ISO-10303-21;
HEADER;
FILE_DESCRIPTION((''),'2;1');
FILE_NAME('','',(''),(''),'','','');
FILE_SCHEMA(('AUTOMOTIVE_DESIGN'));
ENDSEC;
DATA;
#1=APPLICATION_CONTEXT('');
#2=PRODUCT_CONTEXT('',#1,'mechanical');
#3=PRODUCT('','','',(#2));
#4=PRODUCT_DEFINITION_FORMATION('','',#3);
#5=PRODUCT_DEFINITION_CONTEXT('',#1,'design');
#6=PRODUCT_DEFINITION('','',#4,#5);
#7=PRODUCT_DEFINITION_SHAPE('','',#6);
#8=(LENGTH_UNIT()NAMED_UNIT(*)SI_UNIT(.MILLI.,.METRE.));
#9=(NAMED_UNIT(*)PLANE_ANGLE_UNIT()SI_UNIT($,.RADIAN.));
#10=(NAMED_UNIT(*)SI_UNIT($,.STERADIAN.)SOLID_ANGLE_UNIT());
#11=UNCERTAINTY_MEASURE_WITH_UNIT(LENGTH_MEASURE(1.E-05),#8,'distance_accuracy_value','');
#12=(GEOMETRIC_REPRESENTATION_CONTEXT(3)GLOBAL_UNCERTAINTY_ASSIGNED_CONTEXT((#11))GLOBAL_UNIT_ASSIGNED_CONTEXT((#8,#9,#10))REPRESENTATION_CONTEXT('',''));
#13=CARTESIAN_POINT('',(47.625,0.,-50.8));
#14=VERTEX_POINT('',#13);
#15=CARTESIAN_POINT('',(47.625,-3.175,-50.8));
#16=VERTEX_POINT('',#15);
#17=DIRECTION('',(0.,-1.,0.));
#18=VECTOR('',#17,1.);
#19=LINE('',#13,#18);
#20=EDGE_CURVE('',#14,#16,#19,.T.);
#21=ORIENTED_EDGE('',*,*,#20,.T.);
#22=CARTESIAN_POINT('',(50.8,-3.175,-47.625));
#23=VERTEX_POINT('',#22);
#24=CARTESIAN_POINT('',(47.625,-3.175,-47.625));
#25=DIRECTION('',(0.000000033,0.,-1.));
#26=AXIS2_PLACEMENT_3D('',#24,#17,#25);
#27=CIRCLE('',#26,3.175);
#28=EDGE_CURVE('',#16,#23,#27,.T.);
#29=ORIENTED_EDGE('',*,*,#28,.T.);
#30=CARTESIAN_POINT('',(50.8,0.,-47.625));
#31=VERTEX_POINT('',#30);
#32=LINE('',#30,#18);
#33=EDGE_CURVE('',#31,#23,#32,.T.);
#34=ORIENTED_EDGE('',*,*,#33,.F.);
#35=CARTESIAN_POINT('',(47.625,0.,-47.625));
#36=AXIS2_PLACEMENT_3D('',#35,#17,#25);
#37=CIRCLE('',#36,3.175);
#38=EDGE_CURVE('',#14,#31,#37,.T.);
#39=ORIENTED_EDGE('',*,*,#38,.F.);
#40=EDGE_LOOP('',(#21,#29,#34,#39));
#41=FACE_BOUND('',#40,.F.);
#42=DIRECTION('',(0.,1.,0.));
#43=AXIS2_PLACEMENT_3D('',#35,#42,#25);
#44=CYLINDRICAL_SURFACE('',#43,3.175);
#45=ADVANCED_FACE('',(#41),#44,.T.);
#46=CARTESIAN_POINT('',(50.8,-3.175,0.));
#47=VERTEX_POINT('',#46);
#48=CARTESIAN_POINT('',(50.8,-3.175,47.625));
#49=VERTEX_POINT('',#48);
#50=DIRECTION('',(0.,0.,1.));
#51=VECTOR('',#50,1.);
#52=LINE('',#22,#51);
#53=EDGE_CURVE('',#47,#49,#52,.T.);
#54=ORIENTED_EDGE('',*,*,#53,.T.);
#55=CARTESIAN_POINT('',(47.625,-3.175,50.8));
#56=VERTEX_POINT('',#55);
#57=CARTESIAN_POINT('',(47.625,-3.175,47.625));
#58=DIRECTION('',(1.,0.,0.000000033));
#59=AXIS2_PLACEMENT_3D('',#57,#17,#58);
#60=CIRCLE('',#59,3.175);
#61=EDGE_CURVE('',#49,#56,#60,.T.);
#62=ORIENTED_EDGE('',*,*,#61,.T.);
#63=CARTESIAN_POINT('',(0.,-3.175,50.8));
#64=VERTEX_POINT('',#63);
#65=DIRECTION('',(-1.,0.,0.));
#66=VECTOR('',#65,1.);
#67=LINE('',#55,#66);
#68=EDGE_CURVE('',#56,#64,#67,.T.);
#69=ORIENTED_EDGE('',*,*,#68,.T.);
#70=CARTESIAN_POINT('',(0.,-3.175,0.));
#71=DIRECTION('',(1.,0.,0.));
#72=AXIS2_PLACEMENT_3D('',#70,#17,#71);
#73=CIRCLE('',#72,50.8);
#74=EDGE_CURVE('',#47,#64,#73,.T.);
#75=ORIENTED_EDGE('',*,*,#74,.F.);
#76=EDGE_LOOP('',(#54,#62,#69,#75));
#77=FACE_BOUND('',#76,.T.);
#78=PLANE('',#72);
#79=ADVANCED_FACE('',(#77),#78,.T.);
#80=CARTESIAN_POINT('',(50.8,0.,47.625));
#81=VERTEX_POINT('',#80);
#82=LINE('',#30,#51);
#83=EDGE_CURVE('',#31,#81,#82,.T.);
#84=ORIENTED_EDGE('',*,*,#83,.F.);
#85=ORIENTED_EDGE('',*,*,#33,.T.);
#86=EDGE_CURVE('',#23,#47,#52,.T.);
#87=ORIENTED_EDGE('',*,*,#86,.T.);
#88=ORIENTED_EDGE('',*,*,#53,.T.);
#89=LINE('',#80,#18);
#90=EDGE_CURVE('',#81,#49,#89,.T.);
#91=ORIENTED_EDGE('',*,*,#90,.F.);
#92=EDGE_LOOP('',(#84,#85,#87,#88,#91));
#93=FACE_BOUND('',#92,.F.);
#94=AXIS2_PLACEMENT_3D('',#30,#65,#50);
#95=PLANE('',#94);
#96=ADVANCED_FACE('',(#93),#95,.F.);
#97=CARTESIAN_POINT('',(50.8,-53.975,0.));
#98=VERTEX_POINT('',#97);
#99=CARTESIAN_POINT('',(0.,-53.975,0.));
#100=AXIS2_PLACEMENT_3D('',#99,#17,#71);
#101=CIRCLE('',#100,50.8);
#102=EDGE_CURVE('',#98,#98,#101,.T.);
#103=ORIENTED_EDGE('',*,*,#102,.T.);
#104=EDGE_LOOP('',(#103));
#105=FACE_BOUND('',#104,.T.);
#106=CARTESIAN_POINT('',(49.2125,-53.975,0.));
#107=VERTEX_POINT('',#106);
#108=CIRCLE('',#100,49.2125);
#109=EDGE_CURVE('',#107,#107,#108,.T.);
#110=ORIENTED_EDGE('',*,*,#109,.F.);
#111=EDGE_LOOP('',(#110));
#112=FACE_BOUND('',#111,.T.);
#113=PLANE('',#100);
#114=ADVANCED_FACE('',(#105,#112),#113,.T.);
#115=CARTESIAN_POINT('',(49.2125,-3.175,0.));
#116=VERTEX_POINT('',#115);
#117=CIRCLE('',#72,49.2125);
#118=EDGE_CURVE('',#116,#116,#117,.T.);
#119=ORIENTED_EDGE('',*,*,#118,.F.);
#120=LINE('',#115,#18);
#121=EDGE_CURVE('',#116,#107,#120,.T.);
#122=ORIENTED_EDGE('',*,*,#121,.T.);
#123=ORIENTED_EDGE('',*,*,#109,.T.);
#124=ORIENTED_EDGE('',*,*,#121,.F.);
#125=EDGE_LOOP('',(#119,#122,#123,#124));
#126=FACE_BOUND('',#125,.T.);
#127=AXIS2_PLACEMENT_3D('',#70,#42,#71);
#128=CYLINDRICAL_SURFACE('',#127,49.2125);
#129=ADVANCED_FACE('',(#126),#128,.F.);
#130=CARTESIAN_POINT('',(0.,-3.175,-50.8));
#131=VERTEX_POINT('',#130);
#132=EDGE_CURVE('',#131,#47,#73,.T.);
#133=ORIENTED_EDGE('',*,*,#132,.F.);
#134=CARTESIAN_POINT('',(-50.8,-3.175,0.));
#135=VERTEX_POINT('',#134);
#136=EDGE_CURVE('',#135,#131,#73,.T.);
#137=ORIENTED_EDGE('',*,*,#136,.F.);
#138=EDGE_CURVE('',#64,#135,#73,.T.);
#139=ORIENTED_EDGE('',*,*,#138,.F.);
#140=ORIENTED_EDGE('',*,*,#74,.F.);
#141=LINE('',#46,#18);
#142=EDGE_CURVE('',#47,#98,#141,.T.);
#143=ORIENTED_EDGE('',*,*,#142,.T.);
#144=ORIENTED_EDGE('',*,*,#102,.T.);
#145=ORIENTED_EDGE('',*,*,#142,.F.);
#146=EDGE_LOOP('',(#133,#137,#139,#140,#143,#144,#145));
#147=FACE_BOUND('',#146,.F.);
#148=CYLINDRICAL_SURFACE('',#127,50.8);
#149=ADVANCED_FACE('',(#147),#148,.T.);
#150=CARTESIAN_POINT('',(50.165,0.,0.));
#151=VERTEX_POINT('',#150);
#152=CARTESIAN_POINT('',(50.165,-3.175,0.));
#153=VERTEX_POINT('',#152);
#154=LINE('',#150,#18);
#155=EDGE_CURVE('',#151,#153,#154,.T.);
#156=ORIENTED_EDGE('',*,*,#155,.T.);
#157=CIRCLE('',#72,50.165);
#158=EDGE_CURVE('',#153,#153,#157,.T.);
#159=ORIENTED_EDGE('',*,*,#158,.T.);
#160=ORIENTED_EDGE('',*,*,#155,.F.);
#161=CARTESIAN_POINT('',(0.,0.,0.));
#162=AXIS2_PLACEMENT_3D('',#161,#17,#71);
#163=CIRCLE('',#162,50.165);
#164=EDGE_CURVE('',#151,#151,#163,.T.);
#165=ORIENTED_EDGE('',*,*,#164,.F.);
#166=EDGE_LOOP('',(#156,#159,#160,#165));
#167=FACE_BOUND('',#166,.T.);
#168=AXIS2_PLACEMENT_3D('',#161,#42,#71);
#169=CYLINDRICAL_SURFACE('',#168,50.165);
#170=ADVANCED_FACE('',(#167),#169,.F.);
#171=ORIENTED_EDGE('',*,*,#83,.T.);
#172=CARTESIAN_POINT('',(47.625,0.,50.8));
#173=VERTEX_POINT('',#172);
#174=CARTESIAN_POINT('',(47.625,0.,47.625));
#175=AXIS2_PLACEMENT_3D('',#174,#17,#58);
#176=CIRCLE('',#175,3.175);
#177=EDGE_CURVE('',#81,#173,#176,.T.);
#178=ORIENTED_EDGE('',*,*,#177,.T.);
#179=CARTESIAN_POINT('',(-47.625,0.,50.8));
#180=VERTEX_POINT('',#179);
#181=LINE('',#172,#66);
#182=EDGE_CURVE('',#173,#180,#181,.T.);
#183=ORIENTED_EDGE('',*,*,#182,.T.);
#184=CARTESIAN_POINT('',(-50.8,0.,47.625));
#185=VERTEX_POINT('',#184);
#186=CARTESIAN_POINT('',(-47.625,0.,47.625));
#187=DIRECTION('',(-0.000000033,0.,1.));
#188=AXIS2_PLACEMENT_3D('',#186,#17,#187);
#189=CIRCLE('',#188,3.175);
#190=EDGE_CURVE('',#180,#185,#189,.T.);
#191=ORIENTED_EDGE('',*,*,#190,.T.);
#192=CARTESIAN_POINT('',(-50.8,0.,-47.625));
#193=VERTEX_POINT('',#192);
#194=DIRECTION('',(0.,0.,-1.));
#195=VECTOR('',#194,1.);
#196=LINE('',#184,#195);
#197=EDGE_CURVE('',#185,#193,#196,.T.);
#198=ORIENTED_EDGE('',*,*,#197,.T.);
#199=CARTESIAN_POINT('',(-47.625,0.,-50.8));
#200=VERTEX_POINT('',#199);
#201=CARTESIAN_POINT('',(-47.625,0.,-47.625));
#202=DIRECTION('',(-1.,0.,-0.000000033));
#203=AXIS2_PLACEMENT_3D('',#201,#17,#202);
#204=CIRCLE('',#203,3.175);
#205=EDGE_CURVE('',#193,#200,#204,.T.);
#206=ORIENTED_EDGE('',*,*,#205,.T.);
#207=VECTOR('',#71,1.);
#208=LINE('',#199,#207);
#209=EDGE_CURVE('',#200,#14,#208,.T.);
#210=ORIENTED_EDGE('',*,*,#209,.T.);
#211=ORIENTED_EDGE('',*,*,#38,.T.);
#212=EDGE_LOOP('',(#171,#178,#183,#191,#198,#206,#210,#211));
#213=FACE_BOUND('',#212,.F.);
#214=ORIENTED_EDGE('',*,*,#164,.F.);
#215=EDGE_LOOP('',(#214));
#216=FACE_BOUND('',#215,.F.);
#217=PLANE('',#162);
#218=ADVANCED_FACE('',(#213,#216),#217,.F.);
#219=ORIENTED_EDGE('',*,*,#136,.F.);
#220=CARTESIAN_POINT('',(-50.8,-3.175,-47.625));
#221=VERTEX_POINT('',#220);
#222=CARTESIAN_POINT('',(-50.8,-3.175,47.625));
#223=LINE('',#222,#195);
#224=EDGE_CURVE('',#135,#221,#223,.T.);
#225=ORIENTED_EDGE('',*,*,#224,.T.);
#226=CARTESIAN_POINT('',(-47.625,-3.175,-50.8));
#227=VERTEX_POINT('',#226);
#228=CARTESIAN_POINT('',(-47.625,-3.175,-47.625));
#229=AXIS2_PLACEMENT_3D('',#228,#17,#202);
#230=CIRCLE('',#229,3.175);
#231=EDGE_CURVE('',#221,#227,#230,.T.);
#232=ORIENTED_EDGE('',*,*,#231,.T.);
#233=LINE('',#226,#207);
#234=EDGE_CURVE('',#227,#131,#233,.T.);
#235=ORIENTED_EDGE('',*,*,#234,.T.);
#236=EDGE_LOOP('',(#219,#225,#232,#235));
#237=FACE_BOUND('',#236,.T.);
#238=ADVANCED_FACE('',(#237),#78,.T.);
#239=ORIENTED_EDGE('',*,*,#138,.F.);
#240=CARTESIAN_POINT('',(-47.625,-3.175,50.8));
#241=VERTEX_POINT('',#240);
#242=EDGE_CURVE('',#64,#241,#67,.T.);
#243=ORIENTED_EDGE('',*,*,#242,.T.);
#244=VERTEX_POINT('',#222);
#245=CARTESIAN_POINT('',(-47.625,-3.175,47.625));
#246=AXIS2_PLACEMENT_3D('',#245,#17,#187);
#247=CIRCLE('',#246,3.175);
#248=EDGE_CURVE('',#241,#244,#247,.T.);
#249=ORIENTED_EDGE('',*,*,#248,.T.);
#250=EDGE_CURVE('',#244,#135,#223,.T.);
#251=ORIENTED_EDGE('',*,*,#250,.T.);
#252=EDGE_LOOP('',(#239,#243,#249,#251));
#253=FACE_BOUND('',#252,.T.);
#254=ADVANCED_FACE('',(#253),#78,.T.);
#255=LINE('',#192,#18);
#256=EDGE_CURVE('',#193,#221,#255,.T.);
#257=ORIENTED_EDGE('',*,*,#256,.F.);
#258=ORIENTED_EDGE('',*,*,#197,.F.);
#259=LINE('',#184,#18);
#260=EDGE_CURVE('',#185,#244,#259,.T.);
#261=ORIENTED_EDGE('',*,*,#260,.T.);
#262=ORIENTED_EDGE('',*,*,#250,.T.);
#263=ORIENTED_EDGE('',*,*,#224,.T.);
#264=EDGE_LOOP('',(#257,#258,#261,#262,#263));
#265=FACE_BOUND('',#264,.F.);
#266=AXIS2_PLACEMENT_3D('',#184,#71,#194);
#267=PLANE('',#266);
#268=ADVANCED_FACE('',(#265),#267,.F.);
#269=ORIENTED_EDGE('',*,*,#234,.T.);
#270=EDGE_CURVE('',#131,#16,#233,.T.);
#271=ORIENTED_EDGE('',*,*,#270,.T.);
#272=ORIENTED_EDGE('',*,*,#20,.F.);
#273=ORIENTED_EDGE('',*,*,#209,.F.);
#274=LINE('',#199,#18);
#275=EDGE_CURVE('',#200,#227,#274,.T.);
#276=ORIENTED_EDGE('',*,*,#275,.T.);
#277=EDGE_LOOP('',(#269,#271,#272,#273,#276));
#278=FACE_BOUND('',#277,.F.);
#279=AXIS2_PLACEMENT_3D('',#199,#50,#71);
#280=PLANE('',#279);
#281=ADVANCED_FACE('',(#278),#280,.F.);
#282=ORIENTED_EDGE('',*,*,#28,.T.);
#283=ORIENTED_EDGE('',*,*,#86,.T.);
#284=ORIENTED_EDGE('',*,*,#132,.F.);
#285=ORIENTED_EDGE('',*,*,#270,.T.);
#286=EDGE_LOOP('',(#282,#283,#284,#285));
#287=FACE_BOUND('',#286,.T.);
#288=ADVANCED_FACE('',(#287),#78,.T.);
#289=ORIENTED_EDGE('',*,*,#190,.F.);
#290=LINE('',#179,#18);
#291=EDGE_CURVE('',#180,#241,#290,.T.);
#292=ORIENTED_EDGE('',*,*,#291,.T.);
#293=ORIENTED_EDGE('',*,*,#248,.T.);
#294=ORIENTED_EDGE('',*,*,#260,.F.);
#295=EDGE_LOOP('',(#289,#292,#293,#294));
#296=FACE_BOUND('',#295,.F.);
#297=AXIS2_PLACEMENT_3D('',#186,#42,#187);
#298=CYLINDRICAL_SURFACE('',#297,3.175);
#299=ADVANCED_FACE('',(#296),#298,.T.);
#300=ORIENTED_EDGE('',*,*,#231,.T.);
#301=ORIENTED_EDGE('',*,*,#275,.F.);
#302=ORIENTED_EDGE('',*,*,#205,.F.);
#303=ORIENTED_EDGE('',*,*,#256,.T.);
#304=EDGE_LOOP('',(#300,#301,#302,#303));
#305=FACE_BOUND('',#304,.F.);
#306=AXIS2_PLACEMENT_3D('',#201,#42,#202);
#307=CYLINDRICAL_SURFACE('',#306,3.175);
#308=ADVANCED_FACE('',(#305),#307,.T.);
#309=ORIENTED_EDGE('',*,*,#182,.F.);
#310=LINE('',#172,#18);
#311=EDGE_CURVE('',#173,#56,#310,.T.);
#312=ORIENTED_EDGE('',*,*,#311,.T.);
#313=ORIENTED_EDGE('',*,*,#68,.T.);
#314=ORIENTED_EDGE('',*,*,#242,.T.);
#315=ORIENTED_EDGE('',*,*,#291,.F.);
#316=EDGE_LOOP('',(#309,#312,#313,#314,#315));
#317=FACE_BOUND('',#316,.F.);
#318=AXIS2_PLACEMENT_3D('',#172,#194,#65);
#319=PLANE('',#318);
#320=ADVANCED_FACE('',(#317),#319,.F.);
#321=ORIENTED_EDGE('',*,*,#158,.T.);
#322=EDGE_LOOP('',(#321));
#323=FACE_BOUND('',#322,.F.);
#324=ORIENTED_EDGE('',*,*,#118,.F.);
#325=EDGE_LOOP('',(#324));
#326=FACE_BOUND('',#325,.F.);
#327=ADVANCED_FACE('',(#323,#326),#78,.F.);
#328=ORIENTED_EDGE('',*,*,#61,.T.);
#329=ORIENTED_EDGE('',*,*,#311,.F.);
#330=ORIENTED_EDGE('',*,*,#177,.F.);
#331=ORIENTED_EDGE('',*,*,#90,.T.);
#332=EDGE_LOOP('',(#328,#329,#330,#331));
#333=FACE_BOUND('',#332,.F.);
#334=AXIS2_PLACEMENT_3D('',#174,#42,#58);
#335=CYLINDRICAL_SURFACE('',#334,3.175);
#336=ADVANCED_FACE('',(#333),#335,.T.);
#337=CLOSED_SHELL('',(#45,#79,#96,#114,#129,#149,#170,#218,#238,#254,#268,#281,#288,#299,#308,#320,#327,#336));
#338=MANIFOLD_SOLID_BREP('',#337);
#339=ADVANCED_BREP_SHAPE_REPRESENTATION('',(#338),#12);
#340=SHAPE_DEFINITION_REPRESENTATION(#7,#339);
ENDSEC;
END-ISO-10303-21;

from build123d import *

# Parameters (mm, degrees)
F0_R     = 50.165
F1_DEPTH = 3.175
F2_R     = 50.8
F2_R_2   = 49.2125
F3_DEPTH = 50.8


with BuildPart() as f1:
    # F0 (on Front) → F1 (new body)
    with BuildSketch(Plane.XZ):
        with BuildLine():
            ThreePointArc((50.8, 47.625), (49.870064, 49.870064), (47.625, 50.8))
            Line((47.625, 50.8), (-47.625, 50.8))
            ThreePointArc((-47.625, 50.8), (-49.870064, 49.870064), (-50.8, 47.625))
            Line((-50.8, 47.625), (-50.8, -47.625))
            ThreePointArc((-50.8, -47.625), (-49.870064, -49.870064), (-47.625, -50.8))
            Line((-47.625, -50.8), (47.625, -50.8))
            ThreePointArc((47.625, -50.8), (49.870064, -49.870064), (50.8, -47.625))
            Line((50.8, -47.625), (50.8, 47.625))
        make_face()
        Circle(F0_R, mode=Mode.SUBTRACT)
    extrude(amount=F1_DEPTH)

    # F2 (on face) → F3 (join)
    with BuildSketch(Plane.XZ.offset(3.175)):
        Circle(F2_R)
        Circle(F2_R_2, mode=Mode.SUBTRACT)
    extrude(amount=F3_DEPTH)


solid = f1.part
